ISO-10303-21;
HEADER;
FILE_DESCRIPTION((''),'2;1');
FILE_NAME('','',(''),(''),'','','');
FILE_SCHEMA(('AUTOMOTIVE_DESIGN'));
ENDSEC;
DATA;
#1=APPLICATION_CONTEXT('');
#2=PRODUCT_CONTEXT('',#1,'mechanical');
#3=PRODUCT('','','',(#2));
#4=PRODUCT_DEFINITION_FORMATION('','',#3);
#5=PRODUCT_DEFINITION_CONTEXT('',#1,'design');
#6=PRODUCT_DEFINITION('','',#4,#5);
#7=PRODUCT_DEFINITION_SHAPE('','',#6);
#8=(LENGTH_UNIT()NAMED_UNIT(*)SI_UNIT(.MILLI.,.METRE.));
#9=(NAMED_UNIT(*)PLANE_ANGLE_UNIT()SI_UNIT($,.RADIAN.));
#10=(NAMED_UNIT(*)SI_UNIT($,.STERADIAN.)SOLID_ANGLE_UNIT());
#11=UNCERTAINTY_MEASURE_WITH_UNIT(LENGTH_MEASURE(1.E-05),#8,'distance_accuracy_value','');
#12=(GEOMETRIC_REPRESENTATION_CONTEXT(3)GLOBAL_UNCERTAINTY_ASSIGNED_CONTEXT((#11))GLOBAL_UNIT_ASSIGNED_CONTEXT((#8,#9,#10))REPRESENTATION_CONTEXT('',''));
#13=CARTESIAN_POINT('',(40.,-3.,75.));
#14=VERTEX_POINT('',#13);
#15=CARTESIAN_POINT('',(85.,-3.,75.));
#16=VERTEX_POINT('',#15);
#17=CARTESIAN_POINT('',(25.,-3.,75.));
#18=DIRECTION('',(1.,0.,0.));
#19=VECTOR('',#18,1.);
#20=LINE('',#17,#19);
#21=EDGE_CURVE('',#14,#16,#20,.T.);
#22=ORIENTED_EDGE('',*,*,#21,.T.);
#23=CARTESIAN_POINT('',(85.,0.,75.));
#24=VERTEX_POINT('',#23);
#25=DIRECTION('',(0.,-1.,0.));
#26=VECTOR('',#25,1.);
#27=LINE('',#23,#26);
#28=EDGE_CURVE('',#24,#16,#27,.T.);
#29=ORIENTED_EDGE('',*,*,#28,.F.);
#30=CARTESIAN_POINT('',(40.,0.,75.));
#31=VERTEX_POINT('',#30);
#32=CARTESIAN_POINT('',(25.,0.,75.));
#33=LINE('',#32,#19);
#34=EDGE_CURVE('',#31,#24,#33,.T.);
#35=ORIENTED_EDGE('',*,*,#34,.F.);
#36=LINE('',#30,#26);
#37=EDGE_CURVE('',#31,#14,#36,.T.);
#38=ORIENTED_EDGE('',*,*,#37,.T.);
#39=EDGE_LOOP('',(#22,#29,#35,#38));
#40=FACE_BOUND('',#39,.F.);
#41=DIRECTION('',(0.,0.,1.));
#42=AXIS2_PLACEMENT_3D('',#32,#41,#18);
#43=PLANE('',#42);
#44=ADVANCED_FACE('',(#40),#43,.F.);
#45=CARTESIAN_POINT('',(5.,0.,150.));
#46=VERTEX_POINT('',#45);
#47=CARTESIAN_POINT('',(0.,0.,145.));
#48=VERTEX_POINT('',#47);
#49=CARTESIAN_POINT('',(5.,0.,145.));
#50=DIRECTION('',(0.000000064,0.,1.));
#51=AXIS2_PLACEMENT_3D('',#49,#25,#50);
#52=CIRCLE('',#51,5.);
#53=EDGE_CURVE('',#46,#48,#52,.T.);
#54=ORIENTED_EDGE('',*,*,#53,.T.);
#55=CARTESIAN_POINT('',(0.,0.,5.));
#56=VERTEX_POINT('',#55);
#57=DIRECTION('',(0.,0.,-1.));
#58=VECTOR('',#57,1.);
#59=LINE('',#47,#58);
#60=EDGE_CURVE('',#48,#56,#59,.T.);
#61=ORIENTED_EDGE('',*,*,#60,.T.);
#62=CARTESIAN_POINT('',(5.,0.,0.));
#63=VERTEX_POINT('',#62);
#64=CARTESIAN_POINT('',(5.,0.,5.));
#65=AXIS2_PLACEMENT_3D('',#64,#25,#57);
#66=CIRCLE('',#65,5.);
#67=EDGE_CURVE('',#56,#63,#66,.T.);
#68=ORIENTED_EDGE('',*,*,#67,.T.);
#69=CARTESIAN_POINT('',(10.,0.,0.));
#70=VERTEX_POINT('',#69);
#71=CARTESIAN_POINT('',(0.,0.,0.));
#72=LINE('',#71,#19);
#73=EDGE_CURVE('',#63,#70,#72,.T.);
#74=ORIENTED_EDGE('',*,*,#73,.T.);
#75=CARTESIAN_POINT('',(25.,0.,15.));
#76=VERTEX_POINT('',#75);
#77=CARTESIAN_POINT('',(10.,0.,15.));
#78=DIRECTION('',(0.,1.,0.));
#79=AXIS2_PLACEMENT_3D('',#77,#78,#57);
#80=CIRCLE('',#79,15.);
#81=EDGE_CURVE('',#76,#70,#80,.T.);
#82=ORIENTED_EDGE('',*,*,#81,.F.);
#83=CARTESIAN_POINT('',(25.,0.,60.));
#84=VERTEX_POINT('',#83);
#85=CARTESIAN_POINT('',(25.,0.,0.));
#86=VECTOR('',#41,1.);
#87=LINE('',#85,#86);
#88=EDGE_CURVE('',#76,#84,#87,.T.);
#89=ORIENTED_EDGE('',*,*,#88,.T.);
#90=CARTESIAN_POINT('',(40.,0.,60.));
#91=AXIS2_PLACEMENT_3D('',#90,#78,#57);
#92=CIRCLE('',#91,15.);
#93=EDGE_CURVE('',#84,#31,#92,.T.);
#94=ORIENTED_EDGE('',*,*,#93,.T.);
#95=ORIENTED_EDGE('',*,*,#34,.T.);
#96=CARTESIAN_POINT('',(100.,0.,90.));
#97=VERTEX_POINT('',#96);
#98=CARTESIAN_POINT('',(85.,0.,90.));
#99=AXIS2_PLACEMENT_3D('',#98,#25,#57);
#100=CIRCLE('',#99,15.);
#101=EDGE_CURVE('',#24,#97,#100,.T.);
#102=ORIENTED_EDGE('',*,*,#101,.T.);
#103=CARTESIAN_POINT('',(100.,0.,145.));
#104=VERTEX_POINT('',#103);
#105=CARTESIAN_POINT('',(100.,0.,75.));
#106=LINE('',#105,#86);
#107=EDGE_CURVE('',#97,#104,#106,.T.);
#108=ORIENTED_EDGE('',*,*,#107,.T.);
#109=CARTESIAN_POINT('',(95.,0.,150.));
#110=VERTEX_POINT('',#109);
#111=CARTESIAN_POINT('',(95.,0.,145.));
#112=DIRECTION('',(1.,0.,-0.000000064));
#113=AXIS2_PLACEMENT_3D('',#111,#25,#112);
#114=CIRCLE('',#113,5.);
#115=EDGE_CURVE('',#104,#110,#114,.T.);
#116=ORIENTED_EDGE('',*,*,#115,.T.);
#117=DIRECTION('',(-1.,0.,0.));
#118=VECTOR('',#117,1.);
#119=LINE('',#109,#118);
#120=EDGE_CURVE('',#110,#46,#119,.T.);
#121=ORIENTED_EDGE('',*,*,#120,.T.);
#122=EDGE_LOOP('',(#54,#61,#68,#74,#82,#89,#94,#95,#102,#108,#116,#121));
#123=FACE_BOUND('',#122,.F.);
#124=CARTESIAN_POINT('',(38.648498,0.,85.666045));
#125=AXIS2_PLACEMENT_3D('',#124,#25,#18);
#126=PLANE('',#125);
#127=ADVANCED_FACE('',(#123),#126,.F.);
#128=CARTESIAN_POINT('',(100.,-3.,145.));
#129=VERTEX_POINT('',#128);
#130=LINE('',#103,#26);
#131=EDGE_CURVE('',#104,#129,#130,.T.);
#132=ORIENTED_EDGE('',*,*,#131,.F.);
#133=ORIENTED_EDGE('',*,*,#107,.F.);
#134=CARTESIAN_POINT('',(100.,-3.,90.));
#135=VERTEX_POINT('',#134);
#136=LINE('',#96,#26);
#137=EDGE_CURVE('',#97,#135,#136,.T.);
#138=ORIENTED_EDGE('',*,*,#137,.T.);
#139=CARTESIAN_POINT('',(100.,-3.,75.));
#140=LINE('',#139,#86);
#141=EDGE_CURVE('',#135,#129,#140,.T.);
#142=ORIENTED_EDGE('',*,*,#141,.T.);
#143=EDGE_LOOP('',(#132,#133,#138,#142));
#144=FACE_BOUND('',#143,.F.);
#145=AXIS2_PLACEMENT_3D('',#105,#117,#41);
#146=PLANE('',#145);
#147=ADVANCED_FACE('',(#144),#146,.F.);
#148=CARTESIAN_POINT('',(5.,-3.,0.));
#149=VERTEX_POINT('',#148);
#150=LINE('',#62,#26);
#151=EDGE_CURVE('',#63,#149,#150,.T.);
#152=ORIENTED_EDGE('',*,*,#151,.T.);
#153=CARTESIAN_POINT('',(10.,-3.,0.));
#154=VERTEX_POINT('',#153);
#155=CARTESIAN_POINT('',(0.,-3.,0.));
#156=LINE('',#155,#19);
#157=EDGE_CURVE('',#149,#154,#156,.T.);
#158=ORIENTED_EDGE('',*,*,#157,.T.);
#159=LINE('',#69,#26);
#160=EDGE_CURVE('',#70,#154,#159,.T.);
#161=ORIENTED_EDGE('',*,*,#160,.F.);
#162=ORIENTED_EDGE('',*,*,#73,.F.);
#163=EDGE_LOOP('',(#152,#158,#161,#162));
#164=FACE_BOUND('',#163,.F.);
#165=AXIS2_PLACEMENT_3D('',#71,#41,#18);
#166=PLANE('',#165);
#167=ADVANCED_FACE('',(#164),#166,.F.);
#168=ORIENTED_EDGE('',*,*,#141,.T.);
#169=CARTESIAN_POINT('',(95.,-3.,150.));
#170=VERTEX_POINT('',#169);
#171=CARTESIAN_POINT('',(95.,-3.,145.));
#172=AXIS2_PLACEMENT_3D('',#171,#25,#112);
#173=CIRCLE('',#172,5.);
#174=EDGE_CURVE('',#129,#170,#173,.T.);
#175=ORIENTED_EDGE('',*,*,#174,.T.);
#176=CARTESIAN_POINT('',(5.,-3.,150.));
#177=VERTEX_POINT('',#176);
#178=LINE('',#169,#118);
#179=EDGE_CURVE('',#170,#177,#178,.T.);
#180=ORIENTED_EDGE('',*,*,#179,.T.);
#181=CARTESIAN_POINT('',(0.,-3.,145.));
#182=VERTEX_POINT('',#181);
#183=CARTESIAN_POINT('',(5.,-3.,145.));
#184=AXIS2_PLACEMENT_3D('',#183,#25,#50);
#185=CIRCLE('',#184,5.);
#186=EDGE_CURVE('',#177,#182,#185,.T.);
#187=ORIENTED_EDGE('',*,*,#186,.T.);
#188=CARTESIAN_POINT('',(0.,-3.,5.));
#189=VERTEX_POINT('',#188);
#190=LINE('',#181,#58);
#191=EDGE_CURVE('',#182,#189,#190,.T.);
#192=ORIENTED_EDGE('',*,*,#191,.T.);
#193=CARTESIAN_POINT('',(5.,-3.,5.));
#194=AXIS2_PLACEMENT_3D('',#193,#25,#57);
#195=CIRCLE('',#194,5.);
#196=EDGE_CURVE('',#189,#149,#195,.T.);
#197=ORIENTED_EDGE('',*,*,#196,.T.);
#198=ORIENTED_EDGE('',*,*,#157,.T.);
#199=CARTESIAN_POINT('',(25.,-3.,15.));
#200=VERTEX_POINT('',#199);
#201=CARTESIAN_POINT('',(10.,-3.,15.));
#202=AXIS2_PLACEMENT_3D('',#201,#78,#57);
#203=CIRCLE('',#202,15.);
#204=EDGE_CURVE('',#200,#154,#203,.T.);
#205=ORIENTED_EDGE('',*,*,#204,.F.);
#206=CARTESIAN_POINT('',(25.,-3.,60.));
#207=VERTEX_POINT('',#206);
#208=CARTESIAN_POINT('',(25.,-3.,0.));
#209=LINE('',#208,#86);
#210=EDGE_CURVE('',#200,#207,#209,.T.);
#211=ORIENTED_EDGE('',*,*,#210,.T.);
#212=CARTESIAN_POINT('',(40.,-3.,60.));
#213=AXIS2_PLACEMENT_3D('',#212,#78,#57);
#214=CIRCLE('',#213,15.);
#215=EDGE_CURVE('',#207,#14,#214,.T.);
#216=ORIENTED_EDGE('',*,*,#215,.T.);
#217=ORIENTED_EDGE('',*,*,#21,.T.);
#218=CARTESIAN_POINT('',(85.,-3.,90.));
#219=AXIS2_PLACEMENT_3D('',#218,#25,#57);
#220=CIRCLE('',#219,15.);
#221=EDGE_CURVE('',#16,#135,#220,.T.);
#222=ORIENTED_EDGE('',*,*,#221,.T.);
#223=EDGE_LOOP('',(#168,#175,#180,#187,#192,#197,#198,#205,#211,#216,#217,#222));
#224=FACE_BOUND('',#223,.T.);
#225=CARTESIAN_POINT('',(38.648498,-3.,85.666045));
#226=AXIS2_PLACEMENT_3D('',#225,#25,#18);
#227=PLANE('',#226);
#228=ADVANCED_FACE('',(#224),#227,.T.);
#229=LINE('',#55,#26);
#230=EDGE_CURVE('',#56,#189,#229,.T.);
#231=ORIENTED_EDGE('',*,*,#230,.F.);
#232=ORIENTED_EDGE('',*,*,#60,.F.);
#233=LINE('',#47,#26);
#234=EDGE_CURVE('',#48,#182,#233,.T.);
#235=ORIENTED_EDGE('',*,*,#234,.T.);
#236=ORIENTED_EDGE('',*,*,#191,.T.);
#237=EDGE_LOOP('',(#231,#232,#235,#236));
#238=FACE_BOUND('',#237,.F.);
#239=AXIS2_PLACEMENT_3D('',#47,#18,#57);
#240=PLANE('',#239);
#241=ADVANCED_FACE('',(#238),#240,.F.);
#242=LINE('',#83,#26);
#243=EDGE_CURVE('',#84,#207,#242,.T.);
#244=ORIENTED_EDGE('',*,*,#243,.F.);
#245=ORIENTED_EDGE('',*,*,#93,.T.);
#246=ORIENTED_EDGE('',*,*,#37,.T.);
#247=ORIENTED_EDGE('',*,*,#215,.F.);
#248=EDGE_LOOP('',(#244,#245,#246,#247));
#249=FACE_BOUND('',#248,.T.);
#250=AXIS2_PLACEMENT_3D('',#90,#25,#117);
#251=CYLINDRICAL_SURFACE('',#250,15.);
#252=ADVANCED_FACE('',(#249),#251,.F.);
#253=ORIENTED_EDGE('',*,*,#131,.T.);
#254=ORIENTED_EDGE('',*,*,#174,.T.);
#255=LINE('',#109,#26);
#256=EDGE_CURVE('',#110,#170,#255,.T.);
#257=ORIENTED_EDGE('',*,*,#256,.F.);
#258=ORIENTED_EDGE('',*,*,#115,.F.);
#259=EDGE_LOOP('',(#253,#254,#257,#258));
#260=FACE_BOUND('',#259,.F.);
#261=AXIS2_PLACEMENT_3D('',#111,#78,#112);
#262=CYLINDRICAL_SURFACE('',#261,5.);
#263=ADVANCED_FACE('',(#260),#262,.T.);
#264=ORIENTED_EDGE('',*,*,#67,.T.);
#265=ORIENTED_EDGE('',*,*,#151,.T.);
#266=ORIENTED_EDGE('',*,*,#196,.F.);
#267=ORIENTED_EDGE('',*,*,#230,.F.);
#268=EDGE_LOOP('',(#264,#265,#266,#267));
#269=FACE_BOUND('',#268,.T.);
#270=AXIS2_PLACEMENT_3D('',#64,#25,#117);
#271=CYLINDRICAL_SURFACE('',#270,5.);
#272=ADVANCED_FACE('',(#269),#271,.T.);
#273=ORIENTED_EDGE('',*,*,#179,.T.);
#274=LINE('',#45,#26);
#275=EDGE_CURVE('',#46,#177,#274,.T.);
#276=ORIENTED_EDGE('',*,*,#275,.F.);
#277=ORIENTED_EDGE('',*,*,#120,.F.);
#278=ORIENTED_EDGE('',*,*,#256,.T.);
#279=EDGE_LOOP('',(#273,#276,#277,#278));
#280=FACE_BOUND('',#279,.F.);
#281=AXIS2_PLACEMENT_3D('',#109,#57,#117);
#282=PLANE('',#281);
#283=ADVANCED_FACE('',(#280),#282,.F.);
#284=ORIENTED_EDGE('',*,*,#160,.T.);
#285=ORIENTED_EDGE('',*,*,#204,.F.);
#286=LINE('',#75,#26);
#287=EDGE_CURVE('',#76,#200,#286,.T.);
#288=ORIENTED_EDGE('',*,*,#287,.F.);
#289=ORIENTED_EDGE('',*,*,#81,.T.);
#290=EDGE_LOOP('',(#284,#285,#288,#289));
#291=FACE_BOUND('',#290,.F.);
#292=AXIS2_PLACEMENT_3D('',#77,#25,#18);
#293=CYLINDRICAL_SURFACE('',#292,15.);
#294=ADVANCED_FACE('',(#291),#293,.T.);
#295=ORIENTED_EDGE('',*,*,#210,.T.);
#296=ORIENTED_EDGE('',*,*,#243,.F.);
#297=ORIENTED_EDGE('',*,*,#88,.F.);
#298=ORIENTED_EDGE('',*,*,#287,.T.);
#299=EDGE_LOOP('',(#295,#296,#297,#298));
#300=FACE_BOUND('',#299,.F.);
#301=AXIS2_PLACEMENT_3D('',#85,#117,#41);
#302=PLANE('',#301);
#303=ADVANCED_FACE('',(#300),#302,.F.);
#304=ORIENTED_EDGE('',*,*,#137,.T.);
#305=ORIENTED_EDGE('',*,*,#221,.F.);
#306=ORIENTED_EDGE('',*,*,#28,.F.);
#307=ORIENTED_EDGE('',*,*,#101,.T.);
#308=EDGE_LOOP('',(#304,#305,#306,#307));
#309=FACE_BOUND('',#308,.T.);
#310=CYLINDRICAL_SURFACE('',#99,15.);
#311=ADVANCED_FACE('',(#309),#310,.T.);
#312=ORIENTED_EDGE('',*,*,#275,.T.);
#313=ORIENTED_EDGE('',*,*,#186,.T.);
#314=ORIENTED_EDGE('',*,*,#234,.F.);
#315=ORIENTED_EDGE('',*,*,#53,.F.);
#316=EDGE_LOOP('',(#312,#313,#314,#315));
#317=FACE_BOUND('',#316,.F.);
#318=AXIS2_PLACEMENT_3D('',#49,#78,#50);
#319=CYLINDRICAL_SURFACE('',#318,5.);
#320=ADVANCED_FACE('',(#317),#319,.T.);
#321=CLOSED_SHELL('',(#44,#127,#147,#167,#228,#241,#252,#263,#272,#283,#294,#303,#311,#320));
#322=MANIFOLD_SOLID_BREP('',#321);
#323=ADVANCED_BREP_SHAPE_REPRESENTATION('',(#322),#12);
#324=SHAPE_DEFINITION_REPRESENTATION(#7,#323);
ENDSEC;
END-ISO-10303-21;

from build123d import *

# Parameters (mm, degrees)
F1_DEPTH = 3
F2_R     = 5
F3_R     = 15
F4_R     = 15
F5_R     = 15


with BuildPart() as f1:
    # F0 (on Front) → F1 (new body)
    with BuildSketch(Plane.XZ):
        with BuildLine():
            Line((0, 145), (0, 0))
            Line((0, 0), (25, 0))
            Line((25, 0), (25, 75))
            Line((25, 75), (100, 75))
            Line((100, 75), (100, 145))
            ThreePointArc((100, 145), (98.535534, 148.535534), (95, 150))
            Line((95, 150), (5, 150))
            ThreePointArc((5, 150), (1.464466, 148.535534), (0, 145))
        make_face()
    extrude(amount=F1_DEPTH)

    # F2
    f2_edges = [f1.edges().sort_by_distance(p)[0] for p in [
        (0, -1.5, 0),
    ]]
    fillet(f2_edges, radius=F2_R)

    # F3
    f3_edges = [f1.edges().sort_by_distance(p)[0] for p in [
        (100, -1.5, 75),
    ]]
    fillet(f3_edges, radius=F3_R)

    # F4
    f4_edges = [f1.edges().sort_by_distance(p)[0] for p in [
        (25, -1.5, 0),
    ]]
    fillet(f4_edges, radius=F4_R)

    # F5
    f5_edges = [f1.edges().sort_by_distance(p)[0] for p in [
        (25, -1.5, 75),
    ]]
    fillet(f5_edges, radius=F5_R)


solid = f1.part
